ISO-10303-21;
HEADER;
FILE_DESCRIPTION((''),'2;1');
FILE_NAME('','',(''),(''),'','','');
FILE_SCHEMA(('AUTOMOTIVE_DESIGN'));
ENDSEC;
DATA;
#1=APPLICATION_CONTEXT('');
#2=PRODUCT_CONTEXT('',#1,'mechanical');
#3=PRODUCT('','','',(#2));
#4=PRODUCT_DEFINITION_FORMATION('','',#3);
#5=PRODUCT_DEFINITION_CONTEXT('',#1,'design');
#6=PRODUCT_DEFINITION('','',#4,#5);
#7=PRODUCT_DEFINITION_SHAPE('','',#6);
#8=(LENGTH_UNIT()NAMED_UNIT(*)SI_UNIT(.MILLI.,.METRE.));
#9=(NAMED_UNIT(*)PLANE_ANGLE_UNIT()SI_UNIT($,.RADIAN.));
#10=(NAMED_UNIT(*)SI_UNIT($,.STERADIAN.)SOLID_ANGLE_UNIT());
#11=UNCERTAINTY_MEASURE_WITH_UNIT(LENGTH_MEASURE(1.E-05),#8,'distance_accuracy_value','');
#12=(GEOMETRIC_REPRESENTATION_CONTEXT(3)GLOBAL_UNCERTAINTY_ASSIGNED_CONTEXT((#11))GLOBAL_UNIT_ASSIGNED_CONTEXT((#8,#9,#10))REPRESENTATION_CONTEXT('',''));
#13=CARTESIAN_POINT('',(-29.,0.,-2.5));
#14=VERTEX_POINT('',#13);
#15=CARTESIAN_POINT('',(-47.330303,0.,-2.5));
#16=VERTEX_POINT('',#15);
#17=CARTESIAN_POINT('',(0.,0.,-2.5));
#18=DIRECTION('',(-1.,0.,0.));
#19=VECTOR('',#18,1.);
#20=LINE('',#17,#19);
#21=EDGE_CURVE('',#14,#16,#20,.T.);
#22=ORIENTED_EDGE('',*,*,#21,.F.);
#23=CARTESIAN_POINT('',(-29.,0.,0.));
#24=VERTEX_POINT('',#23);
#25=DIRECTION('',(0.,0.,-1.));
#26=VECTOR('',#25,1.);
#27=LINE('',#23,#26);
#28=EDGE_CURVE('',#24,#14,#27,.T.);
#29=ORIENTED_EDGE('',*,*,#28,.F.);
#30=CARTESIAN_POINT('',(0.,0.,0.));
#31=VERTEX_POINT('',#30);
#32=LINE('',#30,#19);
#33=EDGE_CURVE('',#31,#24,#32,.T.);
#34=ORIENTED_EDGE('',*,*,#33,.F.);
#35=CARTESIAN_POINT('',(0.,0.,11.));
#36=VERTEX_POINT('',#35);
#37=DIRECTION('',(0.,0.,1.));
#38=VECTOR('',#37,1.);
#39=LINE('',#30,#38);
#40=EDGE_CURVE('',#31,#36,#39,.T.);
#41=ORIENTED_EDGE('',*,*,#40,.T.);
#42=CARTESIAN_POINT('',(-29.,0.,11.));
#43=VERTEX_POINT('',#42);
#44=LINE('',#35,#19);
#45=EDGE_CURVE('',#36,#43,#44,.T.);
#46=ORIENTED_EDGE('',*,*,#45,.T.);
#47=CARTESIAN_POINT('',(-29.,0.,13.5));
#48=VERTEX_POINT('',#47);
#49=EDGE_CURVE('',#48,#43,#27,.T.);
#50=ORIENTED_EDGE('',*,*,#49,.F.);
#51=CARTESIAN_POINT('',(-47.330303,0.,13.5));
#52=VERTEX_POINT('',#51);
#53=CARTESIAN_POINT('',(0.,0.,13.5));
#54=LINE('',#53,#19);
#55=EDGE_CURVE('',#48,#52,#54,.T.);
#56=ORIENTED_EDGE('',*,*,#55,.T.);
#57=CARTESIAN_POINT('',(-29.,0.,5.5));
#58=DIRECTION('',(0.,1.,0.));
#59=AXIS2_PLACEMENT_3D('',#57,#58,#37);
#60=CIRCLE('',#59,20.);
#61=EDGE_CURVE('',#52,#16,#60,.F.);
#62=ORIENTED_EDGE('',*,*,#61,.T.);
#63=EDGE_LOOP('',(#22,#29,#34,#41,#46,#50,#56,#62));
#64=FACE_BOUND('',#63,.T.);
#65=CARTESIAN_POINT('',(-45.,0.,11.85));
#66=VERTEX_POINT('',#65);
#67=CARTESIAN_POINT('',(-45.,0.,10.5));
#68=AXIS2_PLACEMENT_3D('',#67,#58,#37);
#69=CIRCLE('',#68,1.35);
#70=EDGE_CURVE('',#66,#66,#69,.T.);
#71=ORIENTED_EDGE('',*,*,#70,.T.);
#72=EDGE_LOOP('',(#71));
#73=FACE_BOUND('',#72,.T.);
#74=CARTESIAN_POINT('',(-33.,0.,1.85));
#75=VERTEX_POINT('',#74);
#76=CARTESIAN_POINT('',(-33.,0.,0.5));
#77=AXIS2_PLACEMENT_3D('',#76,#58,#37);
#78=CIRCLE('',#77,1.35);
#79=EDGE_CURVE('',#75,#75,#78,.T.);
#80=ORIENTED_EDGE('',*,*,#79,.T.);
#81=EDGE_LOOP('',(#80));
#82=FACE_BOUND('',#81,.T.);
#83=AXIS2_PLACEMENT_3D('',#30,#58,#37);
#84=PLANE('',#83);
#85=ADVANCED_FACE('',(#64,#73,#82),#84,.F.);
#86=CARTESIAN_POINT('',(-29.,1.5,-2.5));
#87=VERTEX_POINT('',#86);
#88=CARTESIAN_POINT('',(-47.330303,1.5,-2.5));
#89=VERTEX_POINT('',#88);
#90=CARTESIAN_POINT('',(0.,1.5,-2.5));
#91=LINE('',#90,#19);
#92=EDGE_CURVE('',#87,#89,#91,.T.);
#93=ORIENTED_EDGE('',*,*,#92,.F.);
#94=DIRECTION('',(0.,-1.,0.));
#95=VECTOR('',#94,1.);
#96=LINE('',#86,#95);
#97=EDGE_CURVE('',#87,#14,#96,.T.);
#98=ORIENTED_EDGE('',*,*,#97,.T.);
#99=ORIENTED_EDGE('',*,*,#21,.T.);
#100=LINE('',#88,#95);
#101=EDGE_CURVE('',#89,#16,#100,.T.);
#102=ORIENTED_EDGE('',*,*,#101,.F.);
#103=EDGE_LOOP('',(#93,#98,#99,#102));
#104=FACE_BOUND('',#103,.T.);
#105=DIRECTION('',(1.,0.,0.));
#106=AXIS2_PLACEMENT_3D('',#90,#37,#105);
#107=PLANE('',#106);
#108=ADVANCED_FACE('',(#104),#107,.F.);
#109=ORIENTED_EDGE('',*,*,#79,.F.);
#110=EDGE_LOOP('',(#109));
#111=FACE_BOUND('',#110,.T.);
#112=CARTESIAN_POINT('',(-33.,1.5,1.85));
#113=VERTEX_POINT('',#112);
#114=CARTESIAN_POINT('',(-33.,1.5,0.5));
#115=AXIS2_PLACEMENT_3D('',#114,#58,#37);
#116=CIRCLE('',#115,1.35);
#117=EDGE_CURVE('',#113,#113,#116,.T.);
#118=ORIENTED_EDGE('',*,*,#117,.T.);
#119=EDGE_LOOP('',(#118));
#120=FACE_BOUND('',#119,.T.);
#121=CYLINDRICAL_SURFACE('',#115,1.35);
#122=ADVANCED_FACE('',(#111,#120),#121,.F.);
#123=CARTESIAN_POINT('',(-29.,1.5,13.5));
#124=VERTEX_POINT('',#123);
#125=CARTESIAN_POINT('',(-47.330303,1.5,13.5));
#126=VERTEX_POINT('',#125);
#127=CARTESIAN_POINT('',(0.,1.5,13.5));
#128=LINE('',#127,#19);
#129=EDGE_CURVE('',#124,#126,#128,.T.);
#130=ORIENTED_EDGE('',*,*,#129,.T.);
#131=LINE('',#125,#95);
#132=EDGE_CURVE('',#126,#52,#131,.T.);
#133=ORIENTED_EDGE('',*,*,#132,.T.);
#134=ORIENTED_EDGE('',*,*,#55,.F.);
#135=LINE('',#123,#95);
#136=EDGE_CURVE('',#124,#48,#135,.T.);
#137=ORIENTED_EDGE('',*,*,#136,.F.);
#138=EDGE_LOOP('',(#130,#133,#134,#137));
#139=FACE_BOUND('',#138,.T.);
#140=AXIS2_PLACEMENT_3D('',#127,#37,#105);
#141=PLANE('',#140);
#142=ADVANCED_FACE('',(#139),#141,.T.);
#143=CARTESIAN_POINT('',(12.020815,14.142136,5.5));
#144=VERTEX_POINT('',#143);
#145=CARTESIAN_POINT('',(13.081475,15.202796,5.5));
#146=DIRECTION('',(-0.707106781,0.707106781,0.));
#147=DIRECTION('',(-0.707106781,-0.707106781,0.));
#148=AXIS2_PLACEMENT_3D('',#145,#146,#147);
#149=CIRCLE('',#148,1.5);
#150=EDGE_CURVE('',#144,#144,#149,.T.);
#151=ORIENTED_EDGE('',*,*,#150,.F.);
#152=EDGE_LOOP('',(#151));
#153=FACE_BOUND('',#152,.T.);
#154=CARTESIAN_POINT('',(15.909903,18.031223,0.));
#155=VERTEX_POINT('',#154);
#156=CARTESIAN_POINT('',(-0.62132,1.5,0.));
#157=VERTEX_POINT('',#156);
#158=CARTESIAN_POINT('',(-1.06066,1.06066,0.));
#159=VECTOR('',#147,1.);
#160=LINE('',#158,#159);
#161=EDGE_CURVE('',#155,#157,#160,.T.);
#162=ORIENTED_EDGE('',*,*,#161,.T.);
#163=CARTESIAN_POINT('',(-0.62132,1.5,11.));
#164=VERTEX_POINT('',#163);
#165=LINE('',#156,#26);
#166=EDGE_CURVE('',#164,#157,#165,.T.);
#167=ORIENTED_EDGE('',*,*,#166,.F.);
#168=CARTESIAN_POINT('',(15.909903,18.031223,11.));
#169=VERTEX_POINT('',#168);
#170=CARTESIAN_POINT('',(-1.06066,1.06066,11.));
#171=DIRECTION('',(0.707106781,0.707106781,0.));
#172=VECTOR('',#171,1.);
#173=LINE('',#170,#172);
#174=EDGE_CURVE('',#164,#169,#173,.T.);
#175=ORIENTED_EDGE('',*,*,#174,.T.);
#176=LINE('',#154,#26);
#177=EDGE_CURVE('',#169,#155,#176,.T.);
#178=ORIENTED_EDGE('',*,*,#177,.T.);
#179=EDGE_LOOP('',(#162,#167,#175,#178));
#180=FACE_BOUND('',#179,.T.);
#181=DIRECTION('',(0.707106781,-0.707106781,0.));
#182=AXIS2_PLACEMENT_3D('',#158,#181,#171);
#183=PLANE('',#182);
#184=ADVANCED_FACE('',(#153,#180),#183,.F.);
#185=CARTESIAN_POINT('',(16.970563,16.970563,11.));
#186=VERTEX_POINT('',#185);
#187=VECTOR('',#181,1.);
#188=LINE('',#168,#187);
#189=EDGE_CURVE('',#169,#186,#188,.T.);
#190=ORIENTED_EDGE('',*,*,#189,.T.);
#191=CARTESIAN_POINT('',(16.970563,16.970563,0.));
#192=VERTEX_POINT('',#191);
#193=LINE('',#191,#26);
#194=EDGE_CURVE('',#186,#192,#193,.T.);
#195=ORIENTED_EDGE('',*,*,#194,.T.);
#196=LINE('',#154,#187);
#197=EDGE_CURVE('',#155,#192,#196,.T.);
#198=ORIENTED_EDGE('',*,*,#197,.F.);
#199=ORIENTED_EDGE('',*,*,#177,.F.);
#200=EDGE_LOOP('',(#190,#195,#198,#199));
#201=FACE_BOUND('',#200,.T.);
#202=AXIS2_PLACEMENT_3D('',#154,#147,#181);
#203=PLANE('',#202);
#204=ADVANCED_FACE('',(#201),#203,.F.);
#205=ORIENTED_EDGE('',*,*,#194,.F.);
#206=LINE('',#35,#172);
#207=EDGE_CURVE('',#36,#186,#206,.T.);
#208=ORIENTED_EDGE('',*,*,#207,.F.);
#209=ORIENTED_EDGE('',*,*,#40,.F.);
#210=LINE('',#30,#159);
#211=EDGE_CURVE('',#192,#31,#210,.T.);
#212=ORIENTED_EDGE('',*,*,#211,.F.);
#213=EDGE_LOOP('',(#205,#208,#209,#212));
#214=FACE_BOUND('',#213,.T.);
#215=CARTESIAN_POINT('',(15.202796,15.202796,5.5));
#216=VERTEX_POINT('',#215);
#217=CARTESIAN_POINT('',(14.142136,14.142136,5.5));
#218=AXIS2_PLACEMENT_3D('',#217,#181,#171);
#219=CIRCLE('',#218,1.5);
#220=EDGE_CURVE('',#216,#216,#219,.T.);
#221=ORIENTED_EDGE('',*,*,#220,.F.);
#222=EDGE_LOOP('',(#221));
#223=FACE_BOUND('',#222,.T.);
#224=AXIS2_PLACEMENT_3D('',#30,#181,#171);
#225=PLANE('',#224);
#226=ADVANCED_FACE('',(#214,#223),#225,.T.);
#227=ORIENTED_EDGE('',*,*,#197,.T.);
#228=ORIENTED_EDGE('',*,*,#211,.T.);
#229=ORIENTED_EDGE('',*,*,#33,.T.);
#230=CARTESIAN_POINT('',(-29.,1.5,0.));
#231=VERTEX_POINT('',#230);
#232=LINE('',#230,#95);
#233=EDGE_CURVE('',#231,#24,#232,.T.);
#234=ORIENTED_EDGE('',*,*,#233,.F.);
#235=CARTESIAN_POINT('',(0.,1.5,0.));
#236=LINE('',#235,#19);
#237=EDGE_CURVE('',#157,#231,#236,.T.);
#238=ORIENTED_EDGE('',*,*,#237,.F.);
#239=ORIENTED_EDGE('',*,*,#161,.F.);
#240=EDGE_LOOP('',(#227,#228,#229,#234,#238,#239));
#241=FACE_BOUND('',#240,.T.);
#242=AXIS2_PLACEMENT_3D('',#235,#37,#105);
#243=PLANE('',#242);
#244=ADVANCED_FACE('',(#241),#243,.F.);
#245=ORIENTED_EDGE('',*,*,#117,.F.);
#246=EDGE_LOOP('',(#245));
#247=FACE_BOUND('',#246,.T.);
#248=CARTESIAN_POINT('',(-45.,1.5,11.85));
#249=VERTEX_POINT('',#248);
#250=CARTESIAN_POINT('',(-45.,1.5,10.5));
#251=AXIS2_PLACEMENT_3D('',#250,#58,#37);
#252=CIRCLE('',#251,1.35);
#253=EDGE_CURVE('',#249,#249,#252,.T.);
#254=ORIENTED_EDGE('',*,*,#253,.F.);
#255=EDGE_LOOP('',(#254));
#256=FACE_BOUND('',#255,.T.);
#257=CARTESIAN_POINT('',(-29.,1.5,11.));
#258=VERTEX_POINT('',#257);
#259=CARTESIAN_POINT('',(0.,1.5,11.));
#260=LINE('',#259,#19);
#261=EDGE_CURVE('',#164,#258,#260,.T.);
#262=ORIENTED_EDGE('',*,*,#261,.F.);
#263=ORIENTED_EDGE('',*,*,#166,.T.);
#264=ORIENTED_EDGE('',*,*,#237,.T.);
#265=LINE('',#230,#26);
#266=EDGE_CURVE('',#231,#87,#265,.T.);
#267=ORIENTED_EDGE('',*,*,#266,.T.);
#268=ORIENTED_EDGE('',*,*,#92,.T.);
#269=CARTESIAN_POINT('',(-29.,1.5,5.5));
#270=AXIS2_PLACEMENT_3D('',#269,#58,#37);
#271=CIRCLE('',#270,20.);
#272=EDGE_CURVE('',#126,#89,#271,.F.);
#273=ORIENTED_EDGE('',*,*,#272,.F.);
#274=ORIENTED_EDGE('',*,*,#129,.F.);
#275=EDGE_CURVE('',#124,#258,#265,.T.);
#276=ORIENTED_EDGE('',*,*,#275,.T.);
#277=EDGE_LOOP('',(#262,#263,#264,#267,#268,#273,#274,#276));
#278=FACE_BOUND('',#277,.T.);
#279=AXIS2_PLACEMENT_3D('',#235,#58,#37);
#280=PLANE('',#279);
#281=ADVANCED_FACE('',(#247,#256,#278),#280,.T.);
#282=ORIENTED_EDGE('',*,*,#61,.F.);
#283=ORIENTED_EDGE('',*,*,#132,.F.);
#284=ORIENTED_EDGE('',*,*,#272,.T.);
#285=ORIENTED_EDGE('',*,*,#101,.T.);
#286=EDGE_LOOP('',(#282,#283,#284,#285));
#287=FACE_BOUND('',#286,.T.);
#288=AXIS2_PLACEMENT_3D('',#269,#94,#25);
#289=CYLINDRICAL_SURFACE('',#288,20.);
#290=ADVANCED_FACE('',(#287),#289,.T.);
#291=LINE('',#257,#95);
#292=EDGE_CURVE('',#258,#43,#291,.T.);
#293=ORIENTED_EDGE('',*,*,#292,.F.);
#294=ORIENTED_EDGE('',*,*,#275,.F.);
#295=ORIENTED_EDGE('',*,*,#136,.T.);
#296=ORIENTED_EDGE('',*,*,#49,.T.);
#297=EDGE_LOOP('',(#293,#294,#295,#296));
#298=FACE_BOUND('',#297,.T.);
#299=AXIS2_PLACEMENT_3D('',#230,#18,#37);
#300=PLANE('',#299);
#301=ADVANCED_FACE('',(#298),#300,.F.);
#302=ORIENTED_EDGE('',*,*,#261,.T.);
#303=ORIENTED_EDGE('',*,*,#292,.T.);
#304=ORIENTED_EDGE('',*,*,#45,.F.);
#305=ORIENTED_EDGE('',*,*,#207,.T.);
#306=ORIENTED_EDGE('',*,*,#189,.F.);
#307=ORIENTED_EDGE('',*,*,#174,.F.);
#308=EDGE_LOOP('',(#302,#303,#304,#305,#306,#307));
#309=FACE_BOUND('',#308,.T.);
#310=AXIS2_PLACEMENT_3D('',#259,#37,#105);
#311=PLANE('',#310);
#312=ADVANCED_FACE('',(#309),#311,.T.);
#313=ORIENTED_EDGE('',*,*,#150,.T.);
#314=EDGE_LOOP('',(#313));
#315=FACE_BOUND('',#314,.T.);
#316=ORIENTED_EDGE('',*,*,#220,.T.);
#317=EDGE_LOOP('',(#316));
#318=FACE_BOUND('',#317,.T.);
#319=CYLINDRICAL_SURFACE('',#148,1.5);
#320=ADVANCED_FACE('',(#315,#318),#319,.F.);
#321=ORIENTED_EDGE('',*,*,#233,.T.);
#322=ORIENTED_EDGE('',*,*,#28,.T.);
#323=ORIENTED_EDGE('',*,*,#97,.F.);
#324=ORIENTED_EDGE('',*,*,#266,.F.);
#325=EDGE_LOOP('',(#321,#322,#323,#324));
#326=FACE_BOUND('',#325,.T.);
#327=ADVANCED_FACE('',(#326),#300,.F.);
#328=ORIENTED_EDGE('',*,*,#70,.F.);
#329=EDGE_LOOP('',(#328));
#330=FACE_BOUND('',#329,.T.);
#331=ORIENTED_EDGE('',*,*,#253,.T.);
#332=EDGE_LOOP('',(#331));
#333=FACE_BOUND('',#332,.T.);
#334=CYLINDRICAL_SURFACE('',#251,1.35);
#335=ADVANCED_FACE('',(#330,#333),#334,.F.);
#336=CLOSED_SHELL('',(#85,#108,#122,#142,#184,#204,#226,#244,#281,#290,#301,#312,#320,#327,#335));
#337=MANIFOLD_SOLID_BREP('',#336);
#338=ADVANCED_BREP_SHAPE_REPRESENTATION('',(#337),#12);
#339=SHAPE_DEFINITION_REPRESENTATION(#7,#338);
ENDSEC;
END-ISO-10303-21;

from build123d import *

# Parameters (mm, degrees)
MAIN_BODY_SKETCH_W            = 29
MAIN_BODY_SKETCH_H            = 11
MAIN_BODY_EXTRUDE_DEPTH       = 1.5
TILTED_OFFSHOOT_SKETCH_W      = 11
TILTED_OFFSHOOT_SKETCH_H      = 24
TILTED_OFFSHOOT_EXTRUDE_DEPTH = 1.5
F_2_7_2_7_DIAMETER_HOLE1_D    = 2.7
F_3_0_3_DIAMETER_HOLE1_D      = 3


with BuildPart() as part:
    # Main Body Sketch → Main Body Extrude (new body)
    with BuildSketch(Plane(origin=(0, 0, 0), x_dir=(1, 0, 0), z_dir=(0, 1, 0))):
        Polygon((-29, -11), (-29, 0), (-29, 2.5), (-47.33030278, 2.5), (-47.33030278, -13.5), (-29, -13.5), align=None)
        with Locations((-14.5, -5.5)):
            Rectangle(MAIN_BODY_SKETCH_W, MAIN_BODY_SKETCH_H)
        with BuildLine():
            ThreePointArc((-47.33030278, -13.5), (-49, -5.5), (-47.33030278, 2.5))
            Line((-47.33030278, 2.5), (-47.33030278, -13.5))
        make_face()
    extrude(amount=MAIN_BODY_EXTRUDE_DEPTH)

    # Tilted Offshoot Sketch → Tilted Offshoot Extrude (add)
    with BuildSketch(Plane(origin=(0, 0, 0), x_dir=(0, 0, 1), z_dir=(-0.707106781, 0.707106781, 0))):
        with Locations((5.5, 12)):
            Rectangle(TILTED_OFFSHOOT_SKETCH_W, TILTED_OFFSHOOT_SKETCH_H)
    extrude(amount=TILTED_OFFSHOOT_EXTRUDE_DEPTH)

    # Ø2.7 (2.7) Diameter Hole1 (through all)
    with Locations(Plane(origin=(0, 1.5, 0), x_dir=(1, 0, 0), z_dir=(0, 1, 0))):
        with Locations((-45, -10.5), (-33, -0.5)):
            Hole(F_2_7_2_7_DIAMETER_HOLE1_D / 2)

    # Ø3.0 (3) Diameter Hole1 (through all)
    with Locations(Plane(origin=(-1.060660172, 1.060660172, 0), x_dir=(0.707106781, 0.707106781, 0), z_dir=(-0.707106781, 0.707106781, 0))):
        with Locations((20, -5.5)):
            Hole(F_3_0_3_DIAMETER_HOLE1_D / 2)


solid = part.part
